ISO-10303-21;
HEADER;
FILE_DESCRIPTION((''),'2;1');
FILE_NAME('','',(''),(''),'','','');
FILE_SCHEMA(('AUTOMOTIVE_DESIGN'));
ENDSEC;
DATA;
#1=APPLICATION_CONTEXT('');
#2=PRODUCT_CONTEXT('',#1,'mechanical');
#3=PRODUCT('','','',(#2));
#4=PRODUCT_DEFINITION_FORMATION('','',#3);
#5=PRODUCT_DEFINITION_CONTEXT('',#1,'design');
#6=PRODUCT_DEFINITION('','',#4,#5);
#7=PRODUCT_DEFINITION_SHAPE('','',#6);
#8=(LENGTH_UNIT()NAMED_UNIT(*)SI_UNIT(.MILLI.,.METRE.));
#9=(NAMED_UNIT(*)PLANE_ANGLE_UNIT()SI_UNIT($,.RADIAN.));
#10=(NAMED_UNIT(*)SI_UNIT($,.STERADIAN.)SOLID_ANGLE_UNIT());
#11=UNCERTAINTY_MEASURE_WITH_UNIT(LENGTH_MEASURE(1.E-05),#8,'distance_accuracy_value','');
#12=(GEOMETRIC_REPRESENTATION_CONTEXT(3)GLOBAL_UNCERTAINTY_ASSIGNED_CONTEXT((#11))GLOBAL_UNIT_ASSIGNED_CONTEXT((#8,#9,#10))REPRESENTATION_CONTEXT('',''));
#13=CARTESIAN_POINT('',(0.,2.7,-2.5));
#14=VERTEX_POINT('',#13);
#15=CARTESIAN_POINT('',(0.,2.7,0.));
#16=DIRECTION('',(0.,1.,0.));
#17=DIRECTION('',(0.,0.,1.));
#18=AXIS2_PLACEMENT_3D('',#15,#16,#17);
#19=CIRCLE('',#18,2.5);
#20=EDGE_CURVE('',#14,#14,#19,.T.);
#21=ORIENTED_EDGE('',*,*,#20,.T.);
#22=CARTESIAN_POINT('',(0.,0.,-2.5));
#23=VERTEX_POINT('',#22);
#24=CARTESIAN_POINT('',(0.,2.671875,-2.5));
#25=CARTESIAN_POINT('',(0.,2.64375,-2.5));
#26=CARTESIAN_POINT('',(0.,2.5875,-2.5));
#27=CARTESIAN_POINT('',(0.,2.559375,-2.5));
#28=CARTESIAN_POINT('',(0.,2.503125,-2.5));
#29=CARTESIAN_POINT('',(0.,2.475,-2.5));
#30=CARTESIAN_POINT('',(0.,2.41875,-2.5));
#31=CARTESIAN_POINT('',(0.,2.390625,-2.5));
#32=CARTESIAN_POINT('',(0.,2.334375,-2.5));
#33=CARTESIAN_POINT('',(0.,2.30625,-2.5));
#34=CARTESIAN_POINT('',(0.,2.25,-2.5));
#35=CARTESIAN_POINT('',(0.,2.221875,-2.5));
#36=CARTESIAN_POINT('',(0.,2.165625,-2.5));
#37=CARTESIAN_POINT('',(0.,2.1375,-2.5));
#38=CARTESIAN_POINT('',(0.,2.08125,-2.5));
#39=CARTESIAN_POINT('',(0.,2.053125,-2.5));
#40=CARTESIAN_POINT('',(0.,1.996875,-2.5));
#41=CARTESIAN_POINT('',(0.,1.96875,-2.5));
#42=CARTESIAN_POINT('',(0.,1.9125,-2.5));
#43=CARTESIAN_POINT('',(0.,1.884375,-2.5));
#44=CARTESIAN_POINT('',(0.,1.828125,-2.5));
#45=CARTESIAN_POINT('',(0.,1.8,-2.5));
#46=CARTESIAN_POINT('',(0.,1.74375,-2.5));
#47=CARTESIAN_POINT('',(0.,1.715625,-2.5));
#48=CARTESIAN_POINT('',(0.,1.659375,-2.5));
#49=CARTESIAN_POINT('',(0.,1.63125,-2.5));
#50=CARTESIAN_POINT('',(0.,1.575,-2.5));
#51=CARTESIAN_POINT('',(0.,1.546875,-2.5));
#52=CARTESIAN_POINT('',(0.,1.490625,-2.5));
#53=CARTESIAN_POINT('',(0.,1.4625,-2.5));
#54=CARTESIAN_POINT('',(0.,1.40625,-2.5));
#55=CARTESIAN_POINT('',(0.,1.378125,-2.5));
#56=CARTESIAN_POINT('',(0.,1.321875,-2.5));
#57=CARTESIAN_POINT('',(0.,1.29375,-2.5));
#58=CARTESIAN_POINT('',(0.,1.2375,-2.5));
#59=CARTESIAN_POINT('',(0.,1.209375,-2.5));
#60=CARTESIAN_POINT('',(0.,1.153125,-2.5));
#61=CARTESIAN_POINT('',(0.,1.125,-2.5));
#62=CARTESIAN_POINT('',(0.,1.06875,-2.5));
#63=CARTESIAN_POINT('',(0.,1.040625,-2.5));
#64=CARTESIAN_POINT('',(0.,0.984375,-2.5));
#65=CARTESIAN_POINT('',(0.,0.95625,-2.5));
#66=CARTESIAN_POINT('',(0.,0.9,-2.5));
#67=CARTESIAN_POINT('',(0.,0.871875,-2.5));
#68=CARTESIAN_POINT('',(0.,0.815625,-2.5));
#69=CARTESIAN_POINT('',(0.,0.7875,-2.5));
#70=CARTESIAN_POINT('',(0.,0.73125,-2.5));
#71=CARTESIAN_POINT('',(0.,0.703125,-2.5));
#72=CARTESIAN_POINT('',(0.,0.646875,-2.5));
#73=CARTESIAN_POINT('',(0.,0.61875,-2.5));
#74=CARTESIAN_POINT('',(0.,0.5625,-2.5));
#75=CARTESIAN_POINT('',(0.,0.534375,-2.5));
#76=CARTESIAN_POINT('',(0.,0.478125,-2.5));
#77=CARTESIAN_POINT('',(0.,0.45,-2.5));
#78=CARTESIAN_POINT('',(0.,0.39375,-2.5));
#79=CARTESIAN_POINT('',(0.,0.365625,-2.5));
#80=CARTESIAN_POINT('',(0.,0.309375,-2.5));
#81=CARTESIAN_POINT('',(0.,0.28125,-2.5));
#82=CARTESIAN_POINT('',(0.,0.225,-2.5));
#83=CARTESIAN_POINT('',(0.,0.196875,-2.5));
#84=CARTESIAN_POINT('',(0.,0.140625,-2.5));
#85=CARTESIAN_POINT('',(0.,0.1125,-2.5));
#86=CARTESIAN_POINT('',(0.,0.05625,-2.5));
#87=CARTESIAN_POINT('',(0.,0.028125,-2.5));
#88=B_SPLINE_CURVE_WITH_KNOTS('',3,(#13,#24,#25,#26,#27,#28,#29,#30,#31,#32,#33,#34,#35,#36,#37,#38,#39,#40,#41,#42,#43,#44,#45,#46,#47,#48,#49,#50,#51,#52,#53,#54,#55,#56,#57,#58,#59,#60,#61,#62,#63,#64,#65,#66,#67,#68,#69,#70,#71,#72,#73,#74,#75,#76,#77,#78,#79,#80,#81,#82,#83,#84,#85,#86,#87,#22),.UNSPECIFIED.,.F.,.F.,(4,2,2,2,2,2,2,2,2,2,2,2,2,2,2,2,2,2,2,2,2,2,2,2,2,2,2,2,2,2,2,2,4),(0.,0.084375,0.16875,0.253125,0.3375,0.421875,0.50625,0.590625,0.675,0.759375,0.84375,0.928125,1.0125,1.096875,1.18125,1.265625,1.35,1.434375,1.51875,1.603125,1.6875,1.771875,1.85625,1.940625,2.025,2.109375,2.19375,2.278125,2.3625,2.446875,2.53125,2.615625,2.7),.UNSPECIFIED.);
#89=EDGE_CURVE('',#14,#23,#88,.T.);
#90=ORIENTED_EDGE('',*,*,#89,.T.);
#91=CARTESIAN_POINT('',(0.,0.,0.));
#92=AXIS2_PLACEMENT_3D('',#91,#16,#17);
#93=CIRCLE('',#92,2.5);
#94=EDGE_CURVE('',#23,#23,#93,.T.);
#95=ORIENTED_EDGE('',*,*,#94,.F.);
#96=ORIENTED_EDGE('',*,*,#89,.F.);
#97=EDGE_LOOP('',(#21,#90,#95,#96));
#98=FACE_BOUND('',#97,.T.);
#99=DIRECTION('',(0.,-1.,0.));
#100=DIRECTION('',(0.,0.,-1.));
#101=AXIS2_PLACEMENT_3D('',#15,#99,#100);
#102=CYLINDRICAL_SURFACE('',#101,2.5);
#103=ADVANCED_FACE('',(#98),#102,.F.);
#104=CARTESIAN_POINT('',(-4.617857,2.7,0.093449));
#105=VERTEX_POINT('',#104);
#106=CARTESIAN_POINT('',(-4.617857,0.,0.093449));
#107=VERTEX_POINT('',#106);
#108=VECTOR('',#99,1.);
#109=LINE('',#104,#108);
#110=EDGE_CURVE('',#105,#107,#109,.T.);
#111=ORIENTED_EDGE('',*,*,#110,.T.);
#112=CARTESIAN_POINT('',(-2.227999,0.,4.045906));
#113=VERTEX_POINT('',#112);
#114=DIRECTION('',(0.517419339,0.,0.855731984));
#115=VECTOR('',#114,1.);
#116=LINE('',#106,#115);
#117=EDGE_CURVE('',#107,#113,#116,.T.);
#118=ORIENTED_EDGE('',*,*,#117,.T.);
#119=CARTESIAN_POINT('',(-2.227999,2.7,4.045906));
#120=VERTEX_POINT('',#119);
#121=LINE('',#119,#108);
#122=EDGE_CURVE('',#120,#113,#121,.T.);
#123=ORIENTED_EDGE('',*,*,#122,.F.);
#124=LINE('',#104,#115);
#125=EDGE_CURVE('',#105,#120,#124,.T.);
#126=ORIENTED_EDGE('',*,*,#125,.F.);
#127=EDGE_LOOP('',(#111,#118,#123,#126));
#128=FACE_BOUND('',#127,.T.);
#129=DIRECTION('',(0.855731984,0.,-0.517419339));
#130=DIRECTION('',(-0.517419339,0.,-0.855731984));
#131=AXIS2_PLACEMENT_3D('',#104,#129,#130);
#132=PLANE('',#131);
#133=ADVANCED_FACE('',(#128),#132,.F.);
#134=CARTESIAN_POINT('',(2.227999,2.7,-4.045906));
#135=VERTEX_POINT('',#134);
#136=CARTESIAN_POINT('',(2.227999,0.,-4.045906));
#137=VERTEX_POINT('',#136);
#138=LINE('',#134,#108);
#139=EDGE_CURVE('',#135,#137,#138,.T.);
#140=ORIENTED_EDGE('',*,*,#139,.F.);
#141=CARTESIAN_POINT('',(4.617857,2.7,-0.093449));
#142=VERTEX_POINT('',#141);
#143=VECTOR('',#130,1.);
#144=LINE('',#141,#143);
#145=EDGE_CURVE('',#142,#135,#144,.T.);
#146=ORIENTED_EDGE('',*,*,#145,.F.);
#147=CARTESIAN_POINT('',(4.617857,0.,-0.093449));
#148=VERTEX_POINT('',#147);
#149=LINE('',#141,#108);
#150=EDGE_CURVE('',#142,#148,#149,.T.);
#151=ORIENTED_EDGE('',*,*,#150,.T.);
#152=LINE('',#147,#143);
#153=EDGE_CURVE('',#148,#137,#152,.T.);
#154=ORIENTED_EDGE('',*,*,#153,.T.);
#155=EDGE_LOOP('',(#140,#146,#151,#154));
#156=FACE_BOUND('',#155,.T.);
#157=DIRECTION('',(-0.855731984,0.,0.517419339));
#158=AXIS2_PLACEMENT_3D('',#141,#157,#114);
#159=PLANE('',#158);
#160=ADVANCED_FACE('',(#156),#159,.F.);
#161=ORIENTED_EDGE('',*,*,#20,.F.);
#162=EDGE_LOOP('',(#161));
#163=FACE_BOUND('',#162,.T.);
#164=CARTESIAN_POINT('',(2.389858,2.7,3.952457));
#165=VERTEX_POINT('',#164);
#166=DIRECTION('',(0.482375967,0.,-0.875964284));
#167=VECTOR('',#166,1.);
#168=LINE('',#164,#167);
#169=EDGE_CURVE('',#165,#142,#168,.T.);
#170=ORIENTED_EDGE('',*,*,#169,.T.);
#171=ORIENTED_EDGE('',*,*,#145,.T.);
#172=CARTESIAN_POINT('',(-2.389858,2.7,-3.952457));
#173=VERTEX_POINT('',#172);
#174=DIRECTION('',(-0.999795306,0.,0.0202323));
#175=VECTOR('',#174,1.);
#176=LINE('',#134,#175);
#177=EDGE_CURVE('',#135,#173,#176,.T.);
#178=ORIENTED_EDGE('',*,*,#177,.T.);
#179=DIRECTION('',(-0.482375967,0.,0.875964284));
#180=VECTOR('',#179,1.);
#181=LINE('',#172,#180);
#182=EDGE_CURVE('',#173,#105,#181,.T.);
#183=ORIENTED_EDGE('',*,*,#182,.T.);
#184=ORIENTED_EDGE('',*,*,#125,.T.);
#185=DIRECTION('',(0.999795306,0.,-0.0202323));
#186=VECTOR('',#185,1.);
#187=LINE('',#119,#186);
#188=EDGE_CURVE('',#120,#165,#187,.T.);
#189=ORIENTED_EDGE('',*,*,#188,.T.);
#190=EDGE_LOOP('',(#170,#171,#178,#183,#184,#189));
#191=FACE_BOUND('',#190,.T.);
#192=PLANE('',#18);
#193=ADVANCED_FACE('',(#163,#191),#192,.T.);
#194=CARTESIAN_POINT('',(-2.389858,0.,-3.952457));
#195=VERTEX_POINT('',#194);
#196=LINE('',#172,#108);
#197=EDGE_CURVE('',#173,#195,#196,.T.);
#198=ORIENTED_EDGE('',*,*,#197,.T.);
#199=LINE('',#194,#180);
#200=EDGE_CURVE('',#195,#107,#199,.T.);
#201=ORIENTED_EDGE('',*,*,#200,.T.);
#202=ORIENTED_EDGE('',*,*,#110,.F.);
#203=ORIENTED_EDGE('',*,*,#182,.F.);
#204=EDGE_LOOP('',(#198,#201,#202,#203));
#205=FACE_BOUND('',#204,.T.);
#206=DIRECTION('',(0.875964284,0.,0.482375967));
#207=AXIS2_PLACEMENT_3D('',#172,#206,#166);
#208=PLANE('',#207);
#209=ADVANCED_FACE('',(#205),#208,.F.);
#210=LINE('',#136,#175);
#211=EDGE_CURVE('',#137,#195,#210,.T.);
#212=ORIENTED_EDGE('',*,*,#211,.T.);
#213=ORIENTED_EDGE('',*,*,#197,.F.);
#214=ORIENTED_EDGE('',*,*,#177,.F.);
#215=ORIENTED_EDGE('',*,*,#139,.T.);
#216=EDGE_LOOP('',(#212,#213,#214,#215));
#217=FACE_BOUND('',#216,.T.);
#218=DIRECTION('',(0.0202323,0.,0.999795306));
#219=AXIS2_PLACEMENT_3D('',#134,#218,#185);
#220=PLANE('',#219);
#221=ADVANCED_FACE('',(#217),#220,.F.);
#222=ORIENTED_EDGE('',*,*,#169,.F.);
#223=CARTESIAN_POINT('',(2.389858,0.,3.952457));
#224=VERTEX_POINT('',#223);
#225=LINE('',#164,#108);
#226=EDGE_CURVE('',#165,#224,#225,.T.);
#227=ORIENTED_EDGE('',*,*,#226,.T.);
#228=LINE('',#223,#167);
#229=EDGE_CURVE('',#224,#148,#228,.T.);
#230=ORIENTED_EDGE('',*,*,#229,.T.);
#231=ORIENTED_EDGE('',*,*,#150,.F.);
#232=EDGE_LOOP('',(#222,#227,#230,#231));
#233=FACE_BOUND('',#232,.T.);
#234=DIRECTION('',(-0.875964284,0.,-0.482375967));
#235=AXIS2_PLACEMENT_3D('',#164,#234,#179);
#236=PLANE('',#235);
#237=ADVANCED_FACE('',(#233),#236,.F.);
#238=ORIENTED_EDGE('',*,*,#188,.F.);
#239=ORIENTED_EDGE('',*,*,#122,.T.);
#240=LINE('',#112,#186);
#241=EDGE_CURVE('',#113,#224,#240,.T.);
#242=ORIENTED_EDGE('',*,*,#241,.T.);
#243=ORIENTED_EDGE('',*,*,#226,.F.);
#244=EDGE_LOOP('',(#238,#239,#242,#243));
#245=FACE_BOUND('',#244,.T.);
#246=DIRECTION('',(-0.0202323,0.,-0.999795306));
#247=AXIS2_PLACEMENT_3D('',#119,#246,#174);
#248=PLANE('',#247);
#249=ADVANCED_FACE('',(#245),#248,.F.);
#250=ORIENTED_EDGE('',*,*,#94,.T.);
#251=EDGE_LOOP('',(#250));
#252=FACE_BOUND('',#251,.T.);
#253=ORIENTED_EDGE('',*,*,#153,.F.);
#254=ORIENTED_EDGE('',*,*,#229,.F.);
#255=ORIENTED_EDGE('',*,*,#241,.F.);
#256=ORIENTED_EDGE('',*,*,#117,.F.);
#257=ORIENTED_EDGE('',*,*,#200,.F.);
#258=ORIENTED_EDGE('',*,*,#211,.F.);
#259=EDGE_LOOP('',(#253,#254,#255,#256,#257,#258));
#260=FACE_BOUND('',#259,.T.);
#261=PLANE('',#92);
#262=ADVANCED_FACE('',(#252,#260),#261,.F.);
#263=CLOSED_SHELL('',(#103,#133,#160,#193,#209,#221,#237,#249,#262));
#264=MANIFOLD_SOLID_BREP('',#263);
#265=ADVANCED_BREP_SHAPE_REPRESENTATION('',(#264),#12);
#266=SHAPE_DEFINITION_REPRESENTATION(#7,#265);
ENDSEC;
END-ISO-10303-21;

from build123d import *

# Parameters (mm, degrees)
SKETCH1_R           = 2.5
BOSS_EXTRUDE1_DEPTH = 2.7


with BuildPart() as part:
    # Sketch1 → Boss-Extrude1 (new body)
    with BuildSketch(Plane(origin=(0, 0, 0), x_dir=(1, 0, 0), z_dir=(0, 1, 0))):
        Polygon((2.389857557, -3.952456729), (4.617856713, 0.093448991), (2.227999156, 4.04590572), (-2.389857557, 3.952456729), (-4.617856713, -0.093448991), (-2.227999156, -4.04590572), align=None)
        with Locations(Location((0, 0, 0), (0, 0, 90))):
            Circle(SKETCH1_R, mode=Mode.SUBTRACT)
    extrude(amount=BOSS_EXTRUDE1_DEPTH)


solid = part.part
